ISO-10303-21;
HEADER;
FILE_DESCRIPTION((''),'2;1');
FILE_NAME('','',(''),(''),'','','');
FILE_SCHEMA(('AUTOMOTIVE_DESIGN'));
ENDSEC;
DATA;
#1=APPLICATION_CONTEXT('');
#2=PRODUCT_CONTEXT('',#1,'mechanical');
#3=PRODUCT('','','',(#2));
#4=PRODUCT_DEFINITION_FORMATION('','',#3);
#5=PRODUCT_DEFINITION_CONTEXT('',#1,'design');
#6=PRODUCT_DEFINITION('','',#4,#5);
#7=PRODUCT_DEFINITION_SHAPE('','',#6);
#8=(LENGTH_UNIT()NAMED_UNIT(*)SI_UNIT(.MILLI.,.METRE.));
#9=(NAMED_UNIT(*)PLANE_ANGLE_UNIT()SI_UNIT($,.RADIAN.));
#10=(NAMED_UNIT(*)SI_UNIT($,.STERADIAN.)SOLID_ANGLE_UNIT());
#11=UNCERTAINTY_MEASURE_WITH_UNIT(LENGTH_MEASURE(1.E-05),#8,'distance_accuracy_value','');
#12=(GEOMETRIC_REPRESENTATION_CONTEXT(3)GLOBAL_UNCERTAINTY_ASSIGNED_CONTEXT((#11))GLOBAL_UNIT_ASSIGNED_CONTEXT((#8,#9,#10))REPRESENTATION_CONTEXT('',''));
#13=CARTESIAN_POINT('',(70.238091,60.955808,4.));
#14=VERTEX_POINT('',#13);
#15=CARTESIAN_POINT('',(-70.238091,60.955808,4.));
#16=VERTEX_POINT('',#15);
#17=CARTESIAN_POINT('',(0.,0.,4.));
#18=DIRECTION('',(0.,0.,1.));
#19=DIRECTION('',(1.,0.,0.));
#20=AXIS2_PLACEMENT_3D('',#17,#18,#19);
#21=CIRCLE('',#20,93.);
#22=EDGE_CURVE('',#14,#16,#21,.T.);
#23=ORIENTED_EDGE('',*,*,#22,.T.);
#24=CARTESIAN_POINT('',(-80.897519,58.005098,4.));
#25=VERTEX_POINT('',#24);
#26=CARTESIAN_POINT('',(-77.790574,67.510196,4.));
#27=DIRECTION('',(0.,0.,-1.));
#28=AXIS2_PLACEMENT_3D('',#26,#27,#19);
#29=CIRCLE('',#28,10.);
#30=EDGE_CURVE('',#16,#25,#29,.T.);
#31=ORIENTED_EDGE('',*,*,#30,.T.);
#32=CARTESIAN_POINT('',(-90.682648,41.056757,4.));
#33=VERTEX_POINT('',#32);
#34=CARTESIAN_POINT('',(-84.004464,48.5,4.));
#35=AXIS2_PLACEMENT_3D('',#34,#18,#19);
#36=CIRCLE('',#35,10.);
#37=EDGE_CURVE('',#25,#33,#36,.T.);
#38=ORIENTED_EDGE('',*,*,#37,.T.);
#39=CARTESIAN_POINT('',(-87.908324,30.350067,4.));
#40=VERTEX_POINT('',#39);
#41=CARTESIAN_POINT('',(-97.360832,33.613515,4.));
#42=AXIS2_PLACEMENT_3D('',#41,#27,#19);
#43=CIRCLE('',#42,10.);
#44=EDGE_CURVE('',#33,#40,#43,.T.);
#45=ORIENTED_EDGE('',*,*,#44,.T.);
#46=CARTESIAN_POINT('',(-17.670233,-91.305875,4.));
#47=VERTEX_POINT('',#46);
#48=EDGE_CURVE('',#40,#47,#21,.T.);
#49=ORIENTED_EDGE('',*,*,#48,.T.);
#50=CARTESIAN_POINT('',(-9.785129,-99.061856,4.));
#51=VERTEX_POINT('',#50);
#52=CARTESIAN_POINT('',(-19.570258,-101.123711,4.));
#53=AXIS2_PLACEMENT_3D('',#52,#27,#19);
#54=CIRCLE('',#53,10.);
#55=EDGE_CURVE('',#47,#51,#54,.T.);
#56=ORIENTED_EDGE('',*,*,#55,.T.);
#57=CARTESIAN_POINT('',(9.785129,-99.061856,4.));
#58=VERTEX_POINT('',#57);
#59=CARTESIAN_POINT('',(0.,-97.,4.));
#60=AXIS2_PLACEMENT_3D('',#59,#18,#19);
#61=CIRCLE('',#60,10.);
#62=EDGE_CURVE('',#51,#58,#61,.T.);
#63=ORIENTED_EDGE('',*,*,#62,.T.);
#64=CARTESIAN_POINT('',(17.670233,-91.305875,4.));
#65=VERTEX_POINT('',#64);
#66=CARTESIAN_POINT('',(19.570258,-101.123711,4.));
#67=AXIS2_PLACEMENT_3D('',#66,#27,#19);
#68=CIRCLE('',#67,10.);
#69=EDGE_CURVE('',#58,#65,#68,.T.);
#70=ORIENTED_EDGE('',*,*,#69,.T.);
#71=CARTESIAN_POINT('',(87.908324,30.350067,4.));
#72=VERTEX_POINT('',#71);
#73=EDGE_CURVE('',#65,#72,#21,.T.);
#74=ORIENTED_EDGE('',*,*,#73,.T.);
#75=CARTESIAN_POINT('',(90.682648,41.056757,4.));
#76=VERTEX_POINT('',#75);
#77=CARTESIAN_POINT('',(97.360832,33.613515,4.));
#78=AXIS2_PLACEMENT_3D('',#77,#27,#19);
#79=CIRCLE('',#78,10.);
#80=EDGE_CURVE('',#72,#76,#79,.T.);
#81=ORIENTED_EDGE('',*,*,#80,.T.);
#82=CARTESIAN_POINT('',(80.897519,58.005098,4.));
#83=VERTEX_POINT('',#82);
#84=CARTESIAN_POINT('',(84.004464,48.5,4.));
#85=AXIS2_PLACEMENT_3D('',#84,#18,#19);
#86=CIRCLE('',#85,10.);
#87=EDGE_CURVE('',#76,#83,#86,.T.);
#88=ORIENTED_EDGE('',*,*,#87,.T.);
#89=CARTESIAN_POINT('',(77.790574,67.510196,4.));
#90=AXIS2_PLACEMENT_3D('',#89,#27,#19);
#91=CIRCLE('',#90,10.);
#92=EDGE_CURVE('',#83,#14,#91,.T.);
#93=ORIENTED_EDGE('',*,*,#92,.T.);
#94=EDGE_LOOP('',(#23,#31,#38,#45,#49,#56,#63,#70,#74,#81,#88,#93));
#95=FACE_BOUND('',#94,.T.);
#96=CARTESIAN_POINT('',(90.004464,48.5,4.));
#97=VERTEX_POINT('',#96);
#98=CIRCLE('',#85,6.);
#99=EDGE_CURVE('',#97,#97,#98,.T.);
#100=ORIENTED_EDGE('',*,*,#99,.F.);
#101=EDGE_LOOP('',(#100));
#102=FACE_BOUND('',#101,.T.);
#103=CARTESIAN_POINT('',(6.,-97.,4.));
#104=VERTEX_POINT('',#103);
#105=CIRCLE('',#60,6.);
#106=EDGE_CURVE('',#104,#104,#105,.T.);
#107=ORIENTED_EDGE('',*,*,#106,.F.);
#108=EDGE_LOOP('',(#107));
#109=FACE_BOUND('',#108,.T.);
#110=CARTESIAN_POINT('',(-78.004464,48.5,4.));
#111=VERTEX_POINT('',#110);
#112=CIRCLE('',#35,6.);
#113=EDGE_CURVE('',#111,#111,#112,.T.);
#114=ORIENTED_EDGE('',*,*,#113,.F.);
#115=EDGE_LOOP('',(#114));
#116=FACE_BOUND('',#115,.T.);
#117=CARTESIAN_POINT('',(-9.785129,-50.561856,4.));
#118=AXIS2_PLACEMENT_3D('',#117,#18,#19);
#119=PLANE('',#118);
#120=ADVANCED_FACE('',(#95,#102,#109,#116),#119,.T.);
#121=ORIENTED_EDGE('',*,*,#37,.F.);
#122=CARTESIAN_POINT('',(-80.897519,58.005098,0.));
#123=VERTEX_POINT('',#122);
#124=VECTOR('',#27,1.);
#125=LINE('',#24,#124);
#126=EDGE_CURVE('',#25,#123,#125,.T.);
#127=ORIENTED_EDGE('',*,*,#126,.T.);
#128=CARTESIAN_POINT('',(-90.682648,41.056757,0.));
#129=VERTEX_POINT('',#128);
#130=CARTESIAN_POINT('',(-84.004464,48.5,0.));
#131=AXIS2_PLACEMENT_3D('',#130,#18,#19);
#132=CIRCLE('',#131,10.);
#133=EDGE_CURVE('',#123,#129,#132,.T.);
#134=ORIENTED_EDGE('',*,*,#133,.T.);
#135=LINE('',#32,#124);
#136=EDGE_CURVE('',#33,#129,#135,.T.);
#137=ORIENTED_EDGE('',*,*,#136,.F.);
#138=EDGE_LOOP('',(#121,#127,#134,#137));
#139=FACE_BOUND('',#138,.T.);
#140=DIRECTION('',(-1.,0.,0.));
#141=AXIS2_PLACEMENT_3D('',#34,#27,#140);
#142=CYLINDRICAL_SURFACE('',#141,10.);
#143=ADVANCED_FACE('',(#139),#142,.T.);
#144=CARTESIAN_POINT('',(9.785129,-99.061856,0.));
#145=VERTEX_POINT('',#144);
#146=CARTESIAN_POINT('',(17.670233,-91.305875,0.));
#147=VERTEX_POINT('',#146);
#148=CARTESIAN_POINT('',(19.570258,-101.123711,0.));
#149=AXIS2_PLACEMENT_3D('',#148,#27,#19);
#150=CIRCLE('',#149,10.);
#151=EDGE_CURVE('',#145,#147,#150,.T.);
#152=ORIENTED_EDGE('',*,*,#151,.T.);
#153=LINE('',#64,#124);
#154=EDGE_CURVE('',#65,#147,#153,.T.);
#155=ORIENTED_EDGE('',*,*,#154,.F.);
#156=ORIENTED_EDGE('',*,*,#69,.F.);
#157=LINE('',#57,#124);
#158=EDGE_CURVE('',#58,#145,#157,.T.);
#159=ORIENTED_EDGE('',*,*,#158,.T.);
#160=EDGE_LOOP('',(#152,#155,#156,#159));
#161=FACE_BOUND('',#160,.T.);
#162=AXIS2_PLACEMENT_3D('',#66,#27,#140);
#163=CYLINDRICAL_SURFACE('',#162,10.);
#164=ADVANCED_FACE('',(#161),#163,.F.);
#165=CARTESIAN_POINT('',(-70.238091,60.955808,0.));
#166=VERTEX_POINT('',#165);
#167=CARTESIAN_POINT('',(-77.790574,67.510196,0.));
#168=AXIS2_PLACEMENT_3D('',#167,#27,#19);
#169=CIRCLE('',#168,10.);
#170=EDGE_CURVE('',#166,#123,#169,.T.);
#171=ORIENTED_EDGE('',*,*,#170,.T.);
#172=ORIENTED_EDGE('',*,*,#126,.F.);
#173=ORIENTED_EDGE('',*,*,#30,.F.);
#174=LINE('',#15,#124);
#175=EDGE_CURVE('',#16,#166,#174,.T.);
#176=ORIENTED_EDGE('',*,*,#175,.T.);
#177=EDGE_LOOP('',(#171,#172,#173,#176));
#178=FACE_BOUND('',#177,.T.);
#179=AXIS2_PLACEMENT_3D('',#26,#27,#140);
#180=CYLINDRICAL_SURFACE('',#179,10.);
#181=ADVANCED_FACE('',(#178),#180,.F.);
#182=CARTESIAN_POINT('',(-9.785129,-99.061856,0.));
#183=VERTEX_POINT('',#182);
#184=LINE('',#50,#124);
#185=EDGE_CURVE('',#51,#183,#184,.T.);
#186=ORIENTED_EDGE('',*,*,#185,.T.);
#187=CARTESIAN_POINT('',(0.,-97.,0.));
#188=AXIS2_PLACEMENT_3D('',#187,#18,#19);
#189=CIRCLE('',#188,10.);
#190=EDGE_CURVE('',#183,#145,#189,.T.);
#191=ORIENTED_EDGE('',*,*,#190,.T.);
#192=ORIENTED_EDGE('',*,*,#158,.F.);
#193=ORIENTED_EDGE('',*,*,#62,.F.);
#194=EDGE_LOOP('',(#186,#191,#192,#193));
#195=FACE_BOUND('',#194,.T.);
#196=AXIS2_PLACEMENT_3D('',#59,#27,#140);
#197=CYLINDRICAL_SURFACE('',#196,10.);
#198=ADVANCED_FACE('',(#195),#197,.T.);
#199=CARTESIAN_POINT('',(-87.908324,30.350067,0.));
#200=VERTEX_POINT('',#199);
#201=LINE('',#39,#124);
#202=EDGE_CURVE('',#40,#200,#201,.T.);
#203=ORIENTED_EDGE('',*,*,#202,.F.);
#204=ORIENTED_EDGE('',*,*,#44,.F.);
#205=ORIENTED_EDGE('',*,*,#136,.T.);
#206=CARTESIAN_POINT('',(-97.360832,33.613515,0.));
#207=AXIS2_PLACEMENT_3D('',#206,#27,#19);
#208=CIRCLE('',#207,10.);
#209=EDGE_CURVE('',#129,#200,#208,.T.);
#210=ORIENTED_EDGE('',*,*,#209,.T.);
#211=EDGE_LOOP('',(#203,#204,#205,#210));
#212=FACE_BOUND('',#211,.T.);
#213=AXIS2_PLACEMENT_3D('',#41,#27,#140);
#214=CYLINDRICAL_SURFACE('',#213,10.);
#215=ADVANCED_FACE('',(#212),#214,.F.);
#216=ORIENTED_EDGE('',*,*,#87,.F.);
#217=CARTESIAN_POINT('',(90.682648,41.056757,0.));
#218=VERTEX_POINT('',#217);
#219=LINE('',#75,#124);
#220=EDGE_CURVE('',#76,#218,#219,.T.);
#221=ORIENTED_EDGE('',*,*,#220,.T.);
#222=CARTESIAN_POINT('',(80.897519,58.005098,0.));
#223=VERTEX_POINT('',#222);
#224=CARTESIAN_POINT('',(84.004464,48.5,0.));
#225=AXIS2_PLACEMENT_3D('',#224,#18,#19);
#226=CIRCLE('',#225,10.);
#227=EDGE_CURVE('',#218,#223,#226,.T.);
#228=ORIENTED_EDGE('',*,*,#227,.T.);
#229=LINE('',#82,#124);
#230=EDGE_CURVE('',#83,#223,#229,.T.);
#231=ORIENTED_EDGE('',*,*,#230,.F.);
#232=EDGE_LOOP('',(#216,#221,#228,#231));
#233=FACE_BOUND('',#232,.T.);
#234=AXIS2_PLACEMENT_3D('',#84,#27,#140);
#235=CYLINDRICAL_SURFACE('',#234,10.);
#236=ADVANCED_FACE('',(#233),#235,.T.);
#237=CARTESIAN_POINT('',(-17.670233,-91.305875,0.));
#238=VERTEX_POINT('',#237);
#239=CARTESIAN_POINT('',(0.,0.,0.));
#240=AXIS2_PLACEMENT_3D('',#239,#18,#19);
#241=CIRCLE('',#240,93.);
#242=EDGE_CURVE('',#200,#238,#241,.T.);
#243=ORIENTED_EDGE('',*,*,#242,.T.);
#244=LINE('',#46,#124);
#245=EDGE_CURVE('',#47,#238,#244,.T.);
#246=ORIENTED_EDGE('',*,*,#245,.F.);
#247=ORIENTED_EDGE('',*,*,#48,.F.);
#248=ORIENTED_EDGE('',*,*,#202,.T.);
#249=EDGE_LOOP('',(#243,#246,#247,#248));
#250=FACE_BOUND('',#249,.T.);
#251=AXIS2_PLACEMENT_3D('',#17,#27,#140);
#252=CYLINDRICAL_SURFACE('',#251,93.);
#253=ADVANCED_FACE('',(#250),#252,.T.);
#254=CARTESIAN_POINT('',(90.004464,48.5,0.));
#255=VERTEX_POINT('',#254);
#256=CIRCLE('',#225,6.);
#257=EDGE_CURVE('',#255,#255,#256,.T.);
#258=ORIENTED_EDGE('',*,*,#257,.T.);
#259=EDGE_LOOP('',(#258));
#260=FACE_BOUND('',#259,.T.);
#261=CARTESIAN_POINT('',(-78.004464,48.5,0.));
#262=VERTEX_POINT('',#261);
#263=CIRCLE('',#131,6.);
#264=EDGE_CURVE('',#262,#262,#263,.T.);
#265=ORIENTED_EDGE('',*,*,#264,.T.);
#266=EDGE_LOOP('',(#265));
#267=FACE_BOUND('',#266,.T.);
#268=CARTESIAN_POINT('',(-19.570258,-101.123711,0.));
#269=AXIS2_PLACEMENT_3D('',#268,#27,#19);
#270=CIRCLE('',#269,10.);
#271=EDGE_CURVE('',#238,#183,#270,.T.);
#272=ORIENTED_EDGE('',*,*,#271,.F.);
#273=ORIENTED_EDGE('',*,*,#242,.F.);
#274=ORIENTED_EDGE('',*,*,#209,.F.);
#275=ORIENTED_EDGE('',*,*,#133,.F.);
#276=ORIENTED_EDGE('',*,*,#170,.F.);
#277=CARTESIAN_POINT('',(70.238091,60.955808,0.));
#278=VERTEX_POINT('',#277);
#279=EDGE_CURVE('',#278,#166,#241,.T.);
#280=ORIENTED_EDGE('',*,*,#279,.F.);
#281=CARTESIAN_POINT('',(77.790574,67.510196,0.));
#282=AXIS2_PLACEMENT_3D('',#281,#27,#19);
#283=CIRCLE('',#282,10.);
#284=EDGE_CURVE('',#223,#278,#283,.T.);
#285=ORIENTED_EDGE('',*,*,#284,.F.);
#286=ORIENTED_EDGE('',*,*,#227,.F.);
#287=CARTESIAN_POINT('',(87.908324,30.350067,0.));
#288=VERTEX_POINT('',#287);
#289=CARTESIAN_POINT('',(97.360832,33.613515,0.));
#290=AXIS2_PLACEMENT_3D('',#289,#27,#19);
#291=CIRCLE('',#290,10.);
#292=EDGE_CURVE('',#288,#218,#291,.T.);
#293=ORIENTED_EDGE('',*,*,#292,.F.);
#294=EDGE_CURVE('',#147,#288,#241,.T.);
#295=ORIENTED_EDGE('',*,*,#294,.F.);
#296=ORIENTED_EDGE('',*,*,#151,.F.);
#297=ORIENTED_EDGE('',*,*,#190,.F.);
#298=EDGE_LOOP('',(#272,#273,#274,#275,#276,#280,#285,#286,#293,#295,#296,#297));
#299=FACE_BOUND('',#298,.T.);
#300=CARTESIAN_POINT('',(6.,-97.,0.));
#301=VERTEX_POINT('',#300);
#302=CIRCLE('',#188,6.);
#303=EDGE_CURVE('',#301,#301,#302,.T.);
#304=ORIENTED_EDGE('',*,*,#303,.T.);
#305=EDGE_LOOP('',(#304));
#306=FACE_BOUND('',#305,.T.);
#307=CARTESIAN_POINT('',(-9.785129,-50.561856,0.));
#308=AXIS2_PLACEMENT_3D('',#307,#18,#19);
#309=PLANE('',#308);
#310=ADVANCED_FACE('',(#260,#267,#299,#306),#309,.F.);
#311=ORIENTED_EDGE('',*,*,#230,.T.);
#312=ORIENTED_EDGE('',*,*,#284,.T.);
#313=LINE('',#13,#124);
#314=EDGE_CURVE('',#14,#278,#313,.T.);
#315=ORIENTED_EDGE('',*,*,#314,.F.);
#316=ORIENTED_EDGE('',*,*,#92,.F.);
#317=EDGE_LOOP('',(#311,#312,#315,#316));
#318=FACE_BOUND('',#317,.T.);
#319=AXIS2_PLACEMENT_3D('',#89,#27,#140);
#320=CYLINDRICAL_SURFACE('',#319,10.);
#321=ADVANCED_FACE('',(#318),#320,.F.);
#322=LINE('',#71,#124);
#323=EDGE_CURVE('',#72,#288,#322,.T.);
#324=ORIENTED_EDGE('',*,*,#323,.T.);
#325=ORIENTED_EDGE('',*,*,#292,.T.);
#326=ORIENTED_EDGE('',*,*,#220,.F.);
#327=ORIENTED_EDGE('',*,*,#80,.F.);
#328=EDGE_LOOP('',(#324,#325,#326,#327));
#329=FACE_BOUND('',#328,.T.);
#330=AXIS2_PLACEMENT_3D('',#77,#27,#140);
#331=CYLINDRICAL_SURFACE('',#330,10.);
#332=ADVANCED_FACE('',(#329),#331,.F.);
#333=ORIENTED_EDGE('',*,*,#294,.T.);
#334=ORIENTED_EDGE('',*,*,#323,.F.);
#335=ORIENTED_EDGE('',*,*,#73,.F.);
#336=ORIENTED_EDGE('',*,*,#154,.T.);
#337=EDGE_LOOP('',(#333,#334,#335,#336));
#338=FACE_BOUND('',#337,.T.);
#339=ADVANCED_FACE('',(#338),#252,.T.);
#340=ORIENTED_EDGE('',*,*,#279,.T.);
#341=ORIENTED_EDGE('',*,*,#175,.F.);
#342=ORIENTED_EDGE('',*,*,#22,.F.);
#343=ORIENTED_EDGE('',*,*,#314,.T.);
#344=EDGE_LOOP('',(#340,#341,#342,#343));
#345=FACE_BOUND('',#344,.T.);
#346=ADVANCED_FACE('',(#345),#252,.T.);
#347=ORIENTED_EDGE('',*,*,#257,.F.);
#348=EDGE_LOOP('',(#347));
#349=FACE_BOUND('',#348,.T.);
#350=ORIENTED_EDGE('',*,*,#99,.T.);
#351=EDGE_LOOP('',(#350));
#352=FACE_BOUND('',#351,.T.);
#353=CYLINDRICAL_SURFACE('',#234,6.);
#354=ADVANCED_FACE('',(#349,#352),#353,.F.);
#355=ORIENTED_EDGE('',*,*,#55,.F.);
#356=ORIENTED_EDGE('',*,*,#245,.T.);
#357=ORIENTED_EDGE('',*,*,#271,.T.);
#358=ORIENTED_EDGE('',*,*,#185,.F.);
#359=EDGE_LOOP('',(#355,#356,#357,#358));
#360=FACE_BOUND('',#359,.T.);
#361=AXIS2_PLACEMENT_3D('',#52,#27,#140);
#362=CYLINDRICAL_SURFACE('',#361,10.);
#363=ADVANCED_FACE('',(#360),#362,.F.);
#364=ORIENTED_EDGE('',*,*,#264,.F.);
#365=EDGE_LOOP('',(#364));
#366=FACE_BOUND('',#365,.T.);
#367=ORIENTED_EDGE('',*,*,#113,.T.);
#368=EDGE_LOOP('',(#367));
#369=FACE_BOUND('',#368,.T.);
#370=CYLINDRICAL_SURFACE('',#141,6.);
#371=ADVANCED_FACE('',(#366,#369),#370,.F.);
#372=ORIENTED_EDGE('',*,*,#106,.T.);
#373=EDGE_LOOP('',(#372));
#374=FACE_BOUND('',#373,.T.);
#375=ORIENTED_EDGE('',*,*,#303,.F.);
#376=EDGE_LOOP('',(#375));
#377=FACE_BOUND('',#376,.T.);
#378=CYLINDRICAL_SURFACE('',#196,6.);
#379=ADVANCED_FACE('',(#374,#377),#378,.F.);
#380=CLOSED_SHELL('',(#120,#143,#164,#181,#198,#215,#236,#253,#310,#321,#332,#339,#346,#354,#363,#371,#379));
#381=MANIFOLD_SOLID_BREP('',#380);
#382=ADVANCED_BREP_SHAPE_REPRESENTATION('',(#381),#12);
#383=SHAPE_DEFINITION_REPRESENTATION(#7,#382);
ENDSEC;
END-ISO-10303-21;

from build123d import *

# Parameters (mm, degrees)
ESQUISSE1_R          = 6
BASE_EXTRUSION_DEPTH = 4


with BuildPart() as part:
    # Esquisse1 → Base-Extrusion (new body)
    with BuildSketch(Plane.XY):
        with BuildLine():
            ThreePointArc((17.670233104, -91.305875288), (80.540362552, -46.5), (87.908324066, 30.350066885))
            ThreePointArc((87.908324066, 30.350066885), (87.680537041, 36.121878733), (90.682648098, 41.056757469))
            ThreePointArc((90.682648098, 41.056757469), (92.664718205, 53.5), (80.897519014, 58.005098201))
            ThreePointArc((80.897519014, 58.005098201), (75.122733136, 57.872633128), (70.238090962, 60.955808402))
            ThreePointArc((70.238090962, 60.955808402), (0, 93), (-70.238090962, 60.955808402))
            ThreePointArc((-70.238090962, 60.955808402), (-75.122733136, 57.872633128), (-80.897519014, 58.005098201))
            ThreePointArc((-80.897519014, 58.005098201), (-92.664718205, 53.5), (-90.682648098, 41.056757469))
            ThreePointArc((-90.682648098, 41.056757469), (-87.680537041, 36.121878733), (-87.908324066, 30.350066885))
            ThreePointArc((-87.908324066, 30.350066885), (-80.540362552, -46.5), (-17.670233104, -91.305875288))
            ThreePointArc((-17.670233104, -91.305875288), (-12.557803905, -93.994511862), (-9.785129084, -99.06185567))
            ThreePointArc((-9.785129084, -99.06185567), (0, -107), (9.785129084, -99.06185567))
            ThreePointArc((9.785129084, -99.06185567), (12.557803905, -93.994511862), (17.670233104, -91.305875288))
        make_face()
        with Locations((0, -97)):
            Circle(ESQUISSE1_R, mode=Mode.SUBTRACT)
        with Locations((84.004464167, 48.5)):
            Circle(ESQUISSE1_R, mode=Mode.SUBTRACT)
        with Locations((-84.004464167, 48.5)):
            Circle(ESQUISSE1_R, mode=Mode.SUBTRACT)
    extrude(amount=BASE_EXTRUSION_DEPTH)


solid = part.part
